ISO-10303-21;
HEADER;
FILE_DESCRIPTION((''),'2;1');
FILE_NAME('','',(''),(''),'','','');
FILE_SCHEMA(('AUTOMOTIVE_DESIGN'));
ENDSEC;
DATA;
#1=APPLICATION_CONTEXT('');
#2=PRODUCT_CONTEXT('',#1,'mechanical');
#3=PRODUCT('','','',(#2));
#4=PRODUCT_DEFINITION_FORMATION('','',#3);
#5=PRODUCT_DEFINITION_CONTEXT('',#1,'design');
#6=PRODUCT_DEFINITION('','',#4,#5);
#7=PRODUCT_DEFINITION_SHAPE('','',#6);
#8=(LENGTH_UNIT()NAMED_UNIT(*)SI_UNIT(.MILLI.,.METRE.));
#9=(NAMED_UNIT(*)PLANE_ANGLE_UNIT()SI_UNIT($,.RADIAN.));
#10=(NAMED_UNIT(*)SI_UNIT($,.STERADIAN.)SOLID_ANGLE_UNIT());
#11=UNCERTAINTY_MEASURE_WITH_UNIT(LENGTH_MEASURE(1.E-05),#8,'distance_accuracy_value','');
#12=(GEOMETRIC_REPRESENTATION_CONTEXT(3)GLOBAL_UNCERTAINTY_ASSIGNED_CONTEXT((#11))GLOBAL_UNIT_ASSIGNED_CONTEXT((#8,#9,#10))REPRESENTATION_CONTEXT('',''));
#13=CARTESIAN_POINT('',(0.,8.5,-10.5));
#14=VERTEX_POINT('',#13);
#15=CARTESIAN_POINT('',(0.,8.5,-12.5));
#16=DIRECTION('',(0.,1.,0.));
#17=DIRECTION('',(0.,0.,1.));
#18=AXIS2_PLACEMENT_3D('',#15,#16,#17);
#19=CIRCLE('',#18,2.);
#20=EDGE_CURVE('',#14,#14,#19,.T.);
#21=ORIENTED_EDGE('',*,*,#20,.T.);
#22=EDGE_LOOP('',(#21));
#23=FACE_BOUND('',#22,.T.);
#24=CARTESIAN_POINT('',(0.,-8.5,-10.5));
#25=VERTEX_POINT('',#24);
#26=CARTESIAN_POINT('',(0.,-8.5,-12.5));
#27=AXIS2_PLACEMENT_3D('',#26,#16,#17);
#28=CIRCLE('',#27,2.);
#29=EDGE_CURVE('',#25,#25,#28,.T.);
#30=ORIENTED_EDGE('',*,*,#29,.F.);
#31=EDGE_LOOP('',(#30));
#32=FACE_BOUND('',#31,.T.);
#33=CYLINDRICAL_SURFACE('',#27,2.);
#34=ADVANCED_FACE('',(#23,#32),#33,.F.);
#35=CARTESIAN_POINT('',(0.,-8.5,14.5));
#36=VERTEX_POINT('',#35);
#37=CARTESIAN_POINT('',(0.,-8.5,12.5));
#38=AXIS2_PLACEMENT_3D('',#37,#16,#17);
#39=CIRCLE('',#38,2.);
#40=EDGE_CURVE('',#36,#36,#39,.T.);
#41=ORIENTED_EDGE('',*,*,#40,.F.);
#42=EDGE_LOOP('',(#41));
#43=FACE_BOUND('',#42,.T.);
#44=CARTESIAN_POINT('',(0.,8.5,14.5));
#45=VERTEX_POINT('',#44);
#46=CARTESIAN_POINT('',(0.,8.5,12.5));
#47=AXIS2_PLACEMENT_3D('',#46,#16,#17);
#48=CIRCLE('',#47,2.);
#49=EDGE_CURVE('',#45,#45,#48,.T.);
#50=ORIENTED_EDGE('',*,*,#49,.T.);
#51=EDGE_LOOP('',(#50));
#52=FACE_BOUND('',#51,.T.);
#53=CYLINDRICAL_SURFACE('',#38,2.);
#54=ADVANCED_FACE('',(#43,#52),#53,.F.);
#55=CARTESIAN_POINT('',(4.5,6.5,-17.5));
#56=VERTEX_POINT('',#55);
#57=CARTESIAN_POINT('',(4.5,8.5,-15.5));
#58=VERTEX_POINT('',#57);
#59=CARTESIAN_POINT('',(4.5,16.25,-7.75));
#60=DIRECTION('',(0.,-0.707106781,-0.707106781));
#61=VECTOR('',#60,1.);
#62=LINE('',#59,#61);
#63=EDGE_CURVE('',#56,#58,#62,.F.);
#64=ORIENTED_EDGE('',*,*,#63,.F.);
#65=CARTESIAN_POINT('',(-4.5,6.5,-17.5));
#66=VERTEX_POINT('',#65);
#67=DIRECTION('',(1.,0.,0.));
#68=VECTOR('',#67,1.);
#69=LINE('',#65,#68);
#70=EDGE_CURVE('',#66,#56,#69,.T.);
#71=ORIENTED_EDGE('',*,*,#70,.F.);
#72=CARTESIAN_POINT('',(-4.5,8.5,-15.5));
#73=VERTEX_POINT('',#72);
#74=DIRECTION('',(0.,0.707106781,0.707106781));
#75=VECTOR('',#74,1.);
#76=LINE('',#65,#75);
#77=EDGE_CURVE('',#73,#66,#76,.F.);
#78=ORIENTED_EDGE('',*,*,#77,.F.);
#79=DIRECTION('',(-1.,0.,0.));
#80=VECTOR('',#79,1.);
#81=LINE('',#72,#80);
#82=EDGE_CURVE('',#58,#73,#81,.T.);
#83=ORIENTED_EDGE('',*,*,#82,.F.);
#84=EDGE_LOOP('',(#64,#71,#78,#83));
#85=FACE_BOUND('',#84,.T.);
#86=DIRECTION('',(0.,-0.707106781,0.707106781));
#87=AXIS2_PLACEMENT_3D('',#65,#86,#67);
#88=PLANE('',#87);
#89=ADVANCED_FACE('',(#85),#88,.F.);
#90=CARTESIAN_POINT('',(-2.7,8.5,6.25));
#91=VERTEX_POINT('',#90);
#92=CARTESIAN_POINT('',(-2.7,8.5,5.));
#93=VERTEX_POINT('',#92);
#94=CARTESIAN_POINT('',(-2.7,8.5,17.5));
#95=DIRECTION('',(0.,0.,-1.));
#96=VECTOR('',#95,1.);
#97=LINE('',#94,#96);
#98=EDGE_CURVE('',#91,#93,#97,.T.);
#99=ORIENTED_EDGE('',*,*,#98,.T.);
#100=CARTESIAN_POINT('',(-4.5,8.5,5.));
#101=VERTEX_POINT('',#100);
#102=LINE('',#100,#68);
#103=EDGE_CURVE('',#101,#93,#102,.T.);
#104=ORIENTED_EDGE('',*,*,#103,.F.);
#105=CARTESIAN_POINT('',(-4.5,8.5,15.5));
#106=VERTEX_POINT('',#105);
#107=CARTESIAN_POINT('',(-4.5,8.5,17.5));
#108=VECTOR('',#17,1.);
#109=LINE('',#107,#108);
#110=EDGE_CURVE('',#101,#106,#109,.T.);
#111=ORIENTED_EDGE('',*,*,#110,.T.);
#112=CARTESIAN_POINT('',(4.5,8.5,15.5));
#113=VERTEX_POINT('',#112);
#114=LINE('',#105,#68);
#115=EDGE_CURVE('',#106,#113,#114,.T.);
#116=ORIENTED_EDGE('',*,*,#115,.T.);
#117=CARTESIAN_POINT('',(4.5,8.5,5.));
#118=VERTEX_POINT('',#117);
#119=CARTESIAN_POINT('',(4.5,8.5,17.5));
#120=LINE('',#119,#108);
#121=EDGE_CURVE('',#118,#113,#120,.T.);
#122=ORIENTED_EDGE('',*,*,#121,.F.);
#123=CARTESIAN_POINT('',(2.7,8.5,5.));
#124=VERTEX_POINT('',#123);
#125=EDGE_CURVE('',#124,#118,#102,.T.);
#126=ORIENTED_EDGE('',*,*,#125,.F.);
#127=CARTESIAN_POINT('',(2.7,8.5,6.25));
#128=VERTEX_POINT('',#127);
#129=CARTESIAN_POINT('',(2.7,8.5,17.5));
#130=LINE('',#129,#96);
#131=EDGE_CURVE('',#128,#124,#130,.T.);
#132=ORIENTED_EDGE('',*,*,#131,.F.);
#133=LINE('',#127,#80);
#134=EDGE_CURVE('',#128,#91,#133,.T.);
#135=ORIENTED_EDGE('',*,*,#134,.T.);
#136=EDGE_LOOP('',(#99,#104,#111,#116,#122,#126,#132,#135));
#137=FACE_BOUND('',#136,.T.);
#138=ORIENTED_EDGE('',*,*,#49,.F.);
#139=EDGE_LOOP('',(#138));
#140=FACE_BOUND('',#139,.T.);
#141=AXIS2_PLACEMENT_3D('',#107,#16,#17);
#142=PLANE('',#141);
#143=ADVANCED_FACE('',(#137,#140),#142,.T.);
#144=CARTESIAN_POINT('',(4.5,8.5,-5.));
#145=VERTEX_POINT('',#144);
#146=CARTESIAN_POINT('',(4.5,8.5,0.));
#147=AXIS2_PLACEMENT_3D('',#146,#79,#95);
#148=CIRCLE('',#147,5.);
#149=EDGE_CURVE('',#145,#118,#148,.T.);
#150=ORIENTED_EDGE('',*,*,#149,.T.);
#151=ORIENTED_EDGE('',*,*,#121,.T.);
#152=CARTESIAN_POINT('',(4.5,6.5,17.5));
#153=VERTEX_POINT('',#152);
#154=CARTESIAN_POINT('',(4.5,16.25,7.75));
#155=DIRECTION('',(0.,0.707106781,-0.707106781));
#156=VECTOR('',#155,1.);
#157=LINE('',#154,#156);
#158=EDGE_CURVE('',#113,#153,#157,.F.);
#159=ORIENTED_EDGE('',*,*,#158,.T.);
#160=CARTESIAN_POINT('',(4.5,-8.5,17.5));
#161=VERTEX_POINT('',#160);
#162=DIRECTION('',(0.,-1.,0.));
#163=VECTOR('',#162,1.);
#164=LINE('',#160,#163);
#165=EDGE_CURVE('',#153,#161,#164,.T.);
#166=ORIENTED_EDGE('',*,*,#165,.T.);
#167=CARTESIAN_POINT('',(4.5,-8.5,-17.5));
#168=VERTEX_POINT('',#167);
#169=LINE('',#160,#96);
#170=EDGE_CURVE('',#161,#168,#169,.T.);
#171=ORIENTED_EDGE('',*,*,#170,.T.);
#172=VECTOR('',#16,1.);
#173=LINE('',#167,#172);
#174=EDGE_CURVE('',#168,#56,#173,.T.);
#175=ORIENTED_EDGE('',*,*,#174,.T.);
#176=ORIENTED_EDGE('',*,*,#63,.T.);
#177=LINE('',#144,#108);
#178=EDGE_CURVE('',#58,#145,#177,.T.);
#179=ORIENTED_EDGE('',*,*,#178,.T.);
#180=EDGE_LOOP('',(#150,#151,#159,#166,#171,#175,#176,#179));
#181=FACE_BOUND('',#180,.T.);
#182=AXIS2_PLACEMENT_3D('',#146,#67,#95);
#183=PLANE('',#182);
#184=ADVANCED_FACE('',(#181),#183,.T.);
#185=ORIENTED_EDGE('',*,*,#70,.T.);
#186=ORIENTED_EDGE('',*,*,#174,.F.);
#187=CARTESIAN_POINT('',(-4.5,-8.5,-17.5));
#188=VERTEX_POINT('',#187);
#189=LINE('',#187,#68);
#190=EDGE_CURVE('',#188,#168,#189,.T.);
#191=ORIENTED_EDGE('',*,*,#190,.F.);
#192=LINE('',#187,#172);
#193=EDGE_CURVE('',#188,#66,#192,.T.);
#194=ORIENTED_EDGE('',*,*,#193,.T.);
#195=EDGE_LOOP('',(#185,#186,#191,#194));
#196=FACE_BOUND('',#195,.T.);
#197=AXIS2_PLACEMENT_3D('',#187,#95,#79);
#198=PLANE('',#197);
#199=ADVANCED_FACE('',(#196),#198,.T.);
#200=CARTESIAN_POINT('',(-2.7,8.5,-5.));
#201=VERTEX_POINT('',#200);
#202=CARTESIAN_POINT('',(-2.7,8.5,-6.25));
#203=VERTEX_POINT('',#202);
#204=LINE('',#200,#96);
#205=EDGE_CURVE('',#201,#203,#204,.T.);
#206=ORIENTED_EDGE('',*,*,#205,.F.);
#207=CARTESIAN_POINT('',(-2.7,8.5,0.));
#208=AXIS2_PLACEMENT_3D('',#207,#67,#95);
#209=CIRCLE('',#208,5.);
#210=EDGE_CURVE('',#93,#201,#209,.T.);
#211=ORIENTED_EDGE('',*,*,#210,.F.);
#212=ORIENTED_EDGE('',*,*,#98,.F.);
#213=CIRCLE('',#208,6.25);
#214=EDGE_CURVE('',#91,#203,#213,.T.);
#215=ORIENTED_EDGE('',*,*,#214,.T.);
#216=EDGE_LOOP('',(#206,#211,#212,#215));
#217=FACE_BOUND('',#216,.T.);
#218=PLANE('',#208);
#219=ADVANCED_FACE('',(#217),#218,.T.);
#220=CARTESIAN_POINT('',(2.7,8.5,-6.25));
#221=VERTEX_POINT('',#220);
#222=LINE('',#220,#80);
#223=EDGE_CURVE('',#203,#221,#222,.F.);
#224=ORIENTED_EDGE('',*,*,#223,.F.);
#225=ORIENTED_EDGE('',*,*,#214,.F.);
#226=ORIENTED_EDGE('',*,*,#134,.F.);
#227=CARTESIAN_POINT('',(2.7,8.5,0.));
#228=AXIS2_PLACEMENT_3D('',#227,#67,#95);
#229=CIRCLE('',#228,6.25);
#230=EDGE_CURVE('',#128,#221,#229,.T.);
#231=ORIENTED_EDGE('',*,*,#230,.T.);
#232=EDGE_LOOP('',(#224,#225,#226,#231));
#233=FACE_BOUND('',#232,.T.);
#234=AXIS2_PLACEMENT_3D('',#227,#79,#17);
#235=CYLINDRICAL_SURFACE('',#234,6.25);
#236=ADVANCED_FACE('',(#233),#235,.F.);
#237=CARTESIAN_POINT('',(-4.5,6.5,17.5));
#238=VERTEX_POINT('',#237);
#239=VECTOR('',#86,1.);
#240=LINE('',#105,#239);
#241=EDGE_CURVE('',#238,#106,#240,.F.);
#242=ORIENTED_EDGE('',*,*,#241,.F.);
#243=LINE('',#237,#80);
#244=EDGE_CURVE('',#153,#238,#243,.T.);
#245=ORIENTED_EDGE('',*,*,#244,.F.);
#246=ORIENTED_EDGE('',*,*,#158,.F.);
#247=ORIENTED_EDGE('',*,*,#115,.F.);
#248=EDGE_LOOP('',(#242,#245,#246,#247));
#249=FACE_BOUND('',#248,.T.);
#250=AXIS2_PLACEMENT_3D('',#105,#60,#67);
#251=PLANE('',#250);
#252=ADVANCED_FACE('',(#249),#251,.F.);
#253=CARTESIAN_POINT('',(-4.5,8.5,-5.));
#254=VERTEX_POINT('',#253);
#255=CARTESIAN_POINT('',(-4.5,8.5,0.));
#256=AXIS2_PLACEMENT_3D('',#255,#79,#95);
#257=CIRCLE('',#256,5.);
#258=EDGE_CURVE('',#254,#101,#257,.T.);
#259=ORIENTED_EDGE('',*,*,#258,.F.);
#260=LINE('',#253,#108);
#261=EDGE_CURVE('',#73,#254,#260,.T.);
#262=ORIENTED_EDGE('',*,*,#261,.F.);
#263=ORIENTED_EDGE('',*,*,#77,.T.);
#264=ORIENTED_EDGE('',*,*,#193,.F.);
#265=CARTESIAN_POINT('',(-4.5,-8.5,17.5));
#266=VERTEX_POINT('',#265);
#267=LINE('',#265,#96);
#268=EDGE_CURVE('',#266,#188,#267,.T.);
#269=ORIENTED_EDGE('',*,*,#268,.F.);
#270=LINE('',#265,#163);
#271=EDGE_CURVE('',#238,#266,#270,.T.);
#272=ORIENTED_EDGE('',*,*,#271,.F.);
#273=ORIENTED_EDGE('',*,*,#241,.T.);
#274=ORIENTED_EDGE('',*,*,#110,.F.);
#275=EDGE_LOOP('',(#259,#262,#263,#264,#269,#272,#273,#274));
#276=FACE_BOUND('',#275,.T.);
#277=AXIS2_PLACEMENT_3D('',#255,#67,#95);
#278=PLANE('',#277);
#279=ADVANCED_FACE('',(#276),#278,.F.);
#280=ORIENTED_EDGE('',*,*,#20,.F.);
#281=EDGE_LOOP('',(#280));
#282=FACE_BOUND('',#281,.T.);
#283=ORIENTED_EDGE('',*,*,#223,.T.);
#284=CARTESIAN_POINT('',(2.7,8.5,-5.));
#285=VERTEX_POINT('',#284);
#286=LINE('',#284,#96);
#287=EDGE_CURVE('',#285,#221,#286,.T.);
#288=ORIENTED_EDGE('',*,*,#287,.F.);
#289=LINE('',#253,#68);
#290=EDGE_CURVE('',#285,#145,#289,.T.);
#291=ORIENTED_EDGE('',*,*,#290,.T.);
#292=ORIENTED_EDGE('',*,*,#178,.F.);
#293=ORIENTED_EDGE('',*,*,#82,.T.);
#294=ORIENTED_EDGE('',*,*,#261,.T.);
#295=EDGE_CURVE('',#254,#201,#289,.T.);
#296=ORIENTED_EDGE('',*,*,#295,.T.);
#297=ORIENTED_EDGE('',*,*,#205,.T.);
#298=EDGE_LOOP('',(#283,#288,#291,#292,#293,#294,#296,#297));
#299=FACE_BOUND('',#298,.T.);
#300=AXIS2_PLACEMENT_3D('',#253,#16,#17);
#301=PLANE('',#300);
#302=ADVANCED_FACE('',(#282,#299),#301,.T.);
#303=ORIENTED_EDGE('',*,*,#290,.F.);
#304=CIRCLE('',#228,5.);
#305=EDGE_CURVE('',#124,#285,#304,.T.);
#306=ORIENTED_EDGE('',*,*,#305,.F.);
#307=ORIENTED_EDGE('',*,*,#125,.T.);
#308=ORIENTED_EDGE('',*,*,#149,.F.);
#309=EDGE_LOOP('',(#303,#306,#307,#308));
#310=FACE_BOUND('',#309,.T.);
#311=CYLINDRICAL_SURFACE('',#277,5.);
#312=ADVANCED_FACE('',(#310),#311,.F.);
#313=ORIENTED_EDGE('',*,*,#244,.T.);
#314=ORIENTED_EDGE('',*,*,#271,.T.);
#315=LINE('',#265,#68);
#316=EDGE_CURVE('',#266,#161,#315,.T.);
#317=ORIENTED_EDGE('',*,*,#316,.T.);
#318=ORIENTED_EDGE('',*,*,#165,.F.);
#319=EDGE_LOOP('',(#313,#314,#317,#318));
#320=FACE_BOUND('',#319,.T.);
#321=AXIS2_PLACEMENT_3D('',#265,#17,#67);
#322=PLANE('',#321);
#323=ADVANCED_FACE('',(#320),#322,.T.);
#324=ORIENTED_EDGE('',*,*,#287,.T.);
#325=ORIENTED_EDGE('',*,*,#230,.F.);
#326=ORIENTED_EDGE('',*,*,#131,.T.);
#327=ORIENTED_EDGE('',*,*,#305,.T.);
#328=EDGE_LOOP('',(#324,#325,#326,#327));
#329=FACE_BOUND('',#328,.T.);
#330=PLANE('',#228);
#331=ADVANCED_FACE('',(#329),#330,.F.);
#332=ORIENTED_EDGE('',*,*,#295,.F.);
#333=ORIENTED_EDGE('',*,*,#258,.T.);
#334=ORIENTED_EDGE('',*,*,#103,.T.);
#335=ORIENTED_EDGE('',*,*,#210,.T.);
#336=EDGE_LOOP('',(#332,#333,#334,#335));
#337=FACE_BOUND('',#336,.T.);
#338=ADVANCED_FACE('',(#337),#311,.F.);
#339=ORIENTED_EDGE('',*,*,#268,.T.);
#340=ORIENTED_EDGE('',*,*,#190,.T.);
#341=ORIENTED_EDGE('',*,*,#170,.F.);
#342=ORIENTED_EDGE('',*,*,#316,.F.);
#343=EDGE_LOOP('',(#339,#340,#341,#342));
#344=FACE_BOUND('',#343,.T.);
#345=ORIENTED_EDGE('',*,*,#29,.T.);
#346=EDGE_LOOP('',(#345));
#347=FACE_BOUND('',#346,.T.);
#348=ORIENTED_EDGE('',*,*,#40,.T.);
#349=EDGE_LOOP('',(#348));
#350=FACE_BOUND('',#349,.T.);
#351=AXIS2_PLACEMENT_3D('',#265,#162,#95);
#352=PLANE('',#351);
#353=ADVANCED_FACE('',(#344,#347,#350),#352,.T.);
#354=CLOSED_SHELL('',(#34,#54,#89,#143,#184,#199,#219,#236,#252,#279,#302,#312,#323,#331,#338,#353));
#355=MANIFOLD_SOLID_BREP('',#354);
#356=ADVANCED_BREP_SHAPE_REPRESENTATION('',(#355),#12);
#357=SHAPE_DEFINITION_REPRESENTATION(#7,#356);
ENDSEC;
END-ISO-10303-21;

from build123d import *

# Parameters (mm, degrees)
BOSS_EXTRUDE1_DEPTH      = 4.5
BOSS_EXTRUDE1_DEPTH_BACK = 4.5
CUT_EXTRUDE1_DEPTH       = 2.7
CUT_EXTRUDE1_DEPTH_BACK  = 2.7
SKETCH2_R                = 6.25
SKETCH3_R                = 2
CUT_EXTRUDE3_DEPTH       = 25.80927246
CHAMFER1_SIZE            = 2


with BuildPart() as part:
    # Sketch1 → Boss-Extrude1 (new, two sides: drawn at the far end of the back side and taken through both)
    with BuildSketch(Plane(origin=(0, 0, 0), x_dir=(0, 0, -1), z_dir=(1, 0, 0)).offset(-BOSS_EXTRUDE1_DEPTH_BACK)):
        with BuildLine():
            Line((5, 8.5), (17.5, 8.5))
            Line((17.5, 8.5), (17.5, -8.5))
            Line((17.5, -8.5), (-17.5, -8.5))
            Line((-17.5, -8.5), (-17.5, 8.5))
            Line((-17.5, 8.5), (-5, 8.5))
            ThreePointArc((-5, 8.5), (0, 3.5), (5, 8.5))
        make_face()
    extrude(amount=BOSS_EXTRUDE1_DEPTH + BOSS_EXTRUDE1_DEPTH_BACK)

    # Sketch2 → Cut-Extrude1 (cut, two sides: drawn at the far end of the back side and taken through both)
    with BuildSketch(Plane(origin=(0, 0, 0), x_dir=(0, 0, -1), z_dir=(1, 0, 0)).offset(-CUT_EXTRUDE1_DEPTH_BACK)):
        with Locations((0, 8.5)):
            Circle(SKETCH2_R)
    extrude(amount=CUT_EXTRUDE1_DEPTH + CUT_EXTRUDE1_DEPTH_BACK, mode=Mode.SUBTRACT)

    # Sketch3 → Cut-Extrude3 (cut, through all)
    with BuildSketch(Plane(origin=(0, 8.5, 0), x_dir=(1, 0, 0), z_dir=(0, 1, 0))):
        with Locations((0, 12.5)):
            Circle(SKETCH3_R)
        with Locations((0, -12.5)):
            Circle(SKETCH3_R)
    extrude(amount=-CUT_EXTRUDE3_DEPTH, mode=Mode.SUBTRACT)

    # Chamfer1
    chamfer1_edges = [part.edges().sort_by_distance(p)[0] for p in [
        (0, 8.5, -17.5),
        (0, 8.5, 17.5),
    ]]
    chamfer(chamfer1_edges, length=CHAMFER1_SIZE)


solid = part.part
